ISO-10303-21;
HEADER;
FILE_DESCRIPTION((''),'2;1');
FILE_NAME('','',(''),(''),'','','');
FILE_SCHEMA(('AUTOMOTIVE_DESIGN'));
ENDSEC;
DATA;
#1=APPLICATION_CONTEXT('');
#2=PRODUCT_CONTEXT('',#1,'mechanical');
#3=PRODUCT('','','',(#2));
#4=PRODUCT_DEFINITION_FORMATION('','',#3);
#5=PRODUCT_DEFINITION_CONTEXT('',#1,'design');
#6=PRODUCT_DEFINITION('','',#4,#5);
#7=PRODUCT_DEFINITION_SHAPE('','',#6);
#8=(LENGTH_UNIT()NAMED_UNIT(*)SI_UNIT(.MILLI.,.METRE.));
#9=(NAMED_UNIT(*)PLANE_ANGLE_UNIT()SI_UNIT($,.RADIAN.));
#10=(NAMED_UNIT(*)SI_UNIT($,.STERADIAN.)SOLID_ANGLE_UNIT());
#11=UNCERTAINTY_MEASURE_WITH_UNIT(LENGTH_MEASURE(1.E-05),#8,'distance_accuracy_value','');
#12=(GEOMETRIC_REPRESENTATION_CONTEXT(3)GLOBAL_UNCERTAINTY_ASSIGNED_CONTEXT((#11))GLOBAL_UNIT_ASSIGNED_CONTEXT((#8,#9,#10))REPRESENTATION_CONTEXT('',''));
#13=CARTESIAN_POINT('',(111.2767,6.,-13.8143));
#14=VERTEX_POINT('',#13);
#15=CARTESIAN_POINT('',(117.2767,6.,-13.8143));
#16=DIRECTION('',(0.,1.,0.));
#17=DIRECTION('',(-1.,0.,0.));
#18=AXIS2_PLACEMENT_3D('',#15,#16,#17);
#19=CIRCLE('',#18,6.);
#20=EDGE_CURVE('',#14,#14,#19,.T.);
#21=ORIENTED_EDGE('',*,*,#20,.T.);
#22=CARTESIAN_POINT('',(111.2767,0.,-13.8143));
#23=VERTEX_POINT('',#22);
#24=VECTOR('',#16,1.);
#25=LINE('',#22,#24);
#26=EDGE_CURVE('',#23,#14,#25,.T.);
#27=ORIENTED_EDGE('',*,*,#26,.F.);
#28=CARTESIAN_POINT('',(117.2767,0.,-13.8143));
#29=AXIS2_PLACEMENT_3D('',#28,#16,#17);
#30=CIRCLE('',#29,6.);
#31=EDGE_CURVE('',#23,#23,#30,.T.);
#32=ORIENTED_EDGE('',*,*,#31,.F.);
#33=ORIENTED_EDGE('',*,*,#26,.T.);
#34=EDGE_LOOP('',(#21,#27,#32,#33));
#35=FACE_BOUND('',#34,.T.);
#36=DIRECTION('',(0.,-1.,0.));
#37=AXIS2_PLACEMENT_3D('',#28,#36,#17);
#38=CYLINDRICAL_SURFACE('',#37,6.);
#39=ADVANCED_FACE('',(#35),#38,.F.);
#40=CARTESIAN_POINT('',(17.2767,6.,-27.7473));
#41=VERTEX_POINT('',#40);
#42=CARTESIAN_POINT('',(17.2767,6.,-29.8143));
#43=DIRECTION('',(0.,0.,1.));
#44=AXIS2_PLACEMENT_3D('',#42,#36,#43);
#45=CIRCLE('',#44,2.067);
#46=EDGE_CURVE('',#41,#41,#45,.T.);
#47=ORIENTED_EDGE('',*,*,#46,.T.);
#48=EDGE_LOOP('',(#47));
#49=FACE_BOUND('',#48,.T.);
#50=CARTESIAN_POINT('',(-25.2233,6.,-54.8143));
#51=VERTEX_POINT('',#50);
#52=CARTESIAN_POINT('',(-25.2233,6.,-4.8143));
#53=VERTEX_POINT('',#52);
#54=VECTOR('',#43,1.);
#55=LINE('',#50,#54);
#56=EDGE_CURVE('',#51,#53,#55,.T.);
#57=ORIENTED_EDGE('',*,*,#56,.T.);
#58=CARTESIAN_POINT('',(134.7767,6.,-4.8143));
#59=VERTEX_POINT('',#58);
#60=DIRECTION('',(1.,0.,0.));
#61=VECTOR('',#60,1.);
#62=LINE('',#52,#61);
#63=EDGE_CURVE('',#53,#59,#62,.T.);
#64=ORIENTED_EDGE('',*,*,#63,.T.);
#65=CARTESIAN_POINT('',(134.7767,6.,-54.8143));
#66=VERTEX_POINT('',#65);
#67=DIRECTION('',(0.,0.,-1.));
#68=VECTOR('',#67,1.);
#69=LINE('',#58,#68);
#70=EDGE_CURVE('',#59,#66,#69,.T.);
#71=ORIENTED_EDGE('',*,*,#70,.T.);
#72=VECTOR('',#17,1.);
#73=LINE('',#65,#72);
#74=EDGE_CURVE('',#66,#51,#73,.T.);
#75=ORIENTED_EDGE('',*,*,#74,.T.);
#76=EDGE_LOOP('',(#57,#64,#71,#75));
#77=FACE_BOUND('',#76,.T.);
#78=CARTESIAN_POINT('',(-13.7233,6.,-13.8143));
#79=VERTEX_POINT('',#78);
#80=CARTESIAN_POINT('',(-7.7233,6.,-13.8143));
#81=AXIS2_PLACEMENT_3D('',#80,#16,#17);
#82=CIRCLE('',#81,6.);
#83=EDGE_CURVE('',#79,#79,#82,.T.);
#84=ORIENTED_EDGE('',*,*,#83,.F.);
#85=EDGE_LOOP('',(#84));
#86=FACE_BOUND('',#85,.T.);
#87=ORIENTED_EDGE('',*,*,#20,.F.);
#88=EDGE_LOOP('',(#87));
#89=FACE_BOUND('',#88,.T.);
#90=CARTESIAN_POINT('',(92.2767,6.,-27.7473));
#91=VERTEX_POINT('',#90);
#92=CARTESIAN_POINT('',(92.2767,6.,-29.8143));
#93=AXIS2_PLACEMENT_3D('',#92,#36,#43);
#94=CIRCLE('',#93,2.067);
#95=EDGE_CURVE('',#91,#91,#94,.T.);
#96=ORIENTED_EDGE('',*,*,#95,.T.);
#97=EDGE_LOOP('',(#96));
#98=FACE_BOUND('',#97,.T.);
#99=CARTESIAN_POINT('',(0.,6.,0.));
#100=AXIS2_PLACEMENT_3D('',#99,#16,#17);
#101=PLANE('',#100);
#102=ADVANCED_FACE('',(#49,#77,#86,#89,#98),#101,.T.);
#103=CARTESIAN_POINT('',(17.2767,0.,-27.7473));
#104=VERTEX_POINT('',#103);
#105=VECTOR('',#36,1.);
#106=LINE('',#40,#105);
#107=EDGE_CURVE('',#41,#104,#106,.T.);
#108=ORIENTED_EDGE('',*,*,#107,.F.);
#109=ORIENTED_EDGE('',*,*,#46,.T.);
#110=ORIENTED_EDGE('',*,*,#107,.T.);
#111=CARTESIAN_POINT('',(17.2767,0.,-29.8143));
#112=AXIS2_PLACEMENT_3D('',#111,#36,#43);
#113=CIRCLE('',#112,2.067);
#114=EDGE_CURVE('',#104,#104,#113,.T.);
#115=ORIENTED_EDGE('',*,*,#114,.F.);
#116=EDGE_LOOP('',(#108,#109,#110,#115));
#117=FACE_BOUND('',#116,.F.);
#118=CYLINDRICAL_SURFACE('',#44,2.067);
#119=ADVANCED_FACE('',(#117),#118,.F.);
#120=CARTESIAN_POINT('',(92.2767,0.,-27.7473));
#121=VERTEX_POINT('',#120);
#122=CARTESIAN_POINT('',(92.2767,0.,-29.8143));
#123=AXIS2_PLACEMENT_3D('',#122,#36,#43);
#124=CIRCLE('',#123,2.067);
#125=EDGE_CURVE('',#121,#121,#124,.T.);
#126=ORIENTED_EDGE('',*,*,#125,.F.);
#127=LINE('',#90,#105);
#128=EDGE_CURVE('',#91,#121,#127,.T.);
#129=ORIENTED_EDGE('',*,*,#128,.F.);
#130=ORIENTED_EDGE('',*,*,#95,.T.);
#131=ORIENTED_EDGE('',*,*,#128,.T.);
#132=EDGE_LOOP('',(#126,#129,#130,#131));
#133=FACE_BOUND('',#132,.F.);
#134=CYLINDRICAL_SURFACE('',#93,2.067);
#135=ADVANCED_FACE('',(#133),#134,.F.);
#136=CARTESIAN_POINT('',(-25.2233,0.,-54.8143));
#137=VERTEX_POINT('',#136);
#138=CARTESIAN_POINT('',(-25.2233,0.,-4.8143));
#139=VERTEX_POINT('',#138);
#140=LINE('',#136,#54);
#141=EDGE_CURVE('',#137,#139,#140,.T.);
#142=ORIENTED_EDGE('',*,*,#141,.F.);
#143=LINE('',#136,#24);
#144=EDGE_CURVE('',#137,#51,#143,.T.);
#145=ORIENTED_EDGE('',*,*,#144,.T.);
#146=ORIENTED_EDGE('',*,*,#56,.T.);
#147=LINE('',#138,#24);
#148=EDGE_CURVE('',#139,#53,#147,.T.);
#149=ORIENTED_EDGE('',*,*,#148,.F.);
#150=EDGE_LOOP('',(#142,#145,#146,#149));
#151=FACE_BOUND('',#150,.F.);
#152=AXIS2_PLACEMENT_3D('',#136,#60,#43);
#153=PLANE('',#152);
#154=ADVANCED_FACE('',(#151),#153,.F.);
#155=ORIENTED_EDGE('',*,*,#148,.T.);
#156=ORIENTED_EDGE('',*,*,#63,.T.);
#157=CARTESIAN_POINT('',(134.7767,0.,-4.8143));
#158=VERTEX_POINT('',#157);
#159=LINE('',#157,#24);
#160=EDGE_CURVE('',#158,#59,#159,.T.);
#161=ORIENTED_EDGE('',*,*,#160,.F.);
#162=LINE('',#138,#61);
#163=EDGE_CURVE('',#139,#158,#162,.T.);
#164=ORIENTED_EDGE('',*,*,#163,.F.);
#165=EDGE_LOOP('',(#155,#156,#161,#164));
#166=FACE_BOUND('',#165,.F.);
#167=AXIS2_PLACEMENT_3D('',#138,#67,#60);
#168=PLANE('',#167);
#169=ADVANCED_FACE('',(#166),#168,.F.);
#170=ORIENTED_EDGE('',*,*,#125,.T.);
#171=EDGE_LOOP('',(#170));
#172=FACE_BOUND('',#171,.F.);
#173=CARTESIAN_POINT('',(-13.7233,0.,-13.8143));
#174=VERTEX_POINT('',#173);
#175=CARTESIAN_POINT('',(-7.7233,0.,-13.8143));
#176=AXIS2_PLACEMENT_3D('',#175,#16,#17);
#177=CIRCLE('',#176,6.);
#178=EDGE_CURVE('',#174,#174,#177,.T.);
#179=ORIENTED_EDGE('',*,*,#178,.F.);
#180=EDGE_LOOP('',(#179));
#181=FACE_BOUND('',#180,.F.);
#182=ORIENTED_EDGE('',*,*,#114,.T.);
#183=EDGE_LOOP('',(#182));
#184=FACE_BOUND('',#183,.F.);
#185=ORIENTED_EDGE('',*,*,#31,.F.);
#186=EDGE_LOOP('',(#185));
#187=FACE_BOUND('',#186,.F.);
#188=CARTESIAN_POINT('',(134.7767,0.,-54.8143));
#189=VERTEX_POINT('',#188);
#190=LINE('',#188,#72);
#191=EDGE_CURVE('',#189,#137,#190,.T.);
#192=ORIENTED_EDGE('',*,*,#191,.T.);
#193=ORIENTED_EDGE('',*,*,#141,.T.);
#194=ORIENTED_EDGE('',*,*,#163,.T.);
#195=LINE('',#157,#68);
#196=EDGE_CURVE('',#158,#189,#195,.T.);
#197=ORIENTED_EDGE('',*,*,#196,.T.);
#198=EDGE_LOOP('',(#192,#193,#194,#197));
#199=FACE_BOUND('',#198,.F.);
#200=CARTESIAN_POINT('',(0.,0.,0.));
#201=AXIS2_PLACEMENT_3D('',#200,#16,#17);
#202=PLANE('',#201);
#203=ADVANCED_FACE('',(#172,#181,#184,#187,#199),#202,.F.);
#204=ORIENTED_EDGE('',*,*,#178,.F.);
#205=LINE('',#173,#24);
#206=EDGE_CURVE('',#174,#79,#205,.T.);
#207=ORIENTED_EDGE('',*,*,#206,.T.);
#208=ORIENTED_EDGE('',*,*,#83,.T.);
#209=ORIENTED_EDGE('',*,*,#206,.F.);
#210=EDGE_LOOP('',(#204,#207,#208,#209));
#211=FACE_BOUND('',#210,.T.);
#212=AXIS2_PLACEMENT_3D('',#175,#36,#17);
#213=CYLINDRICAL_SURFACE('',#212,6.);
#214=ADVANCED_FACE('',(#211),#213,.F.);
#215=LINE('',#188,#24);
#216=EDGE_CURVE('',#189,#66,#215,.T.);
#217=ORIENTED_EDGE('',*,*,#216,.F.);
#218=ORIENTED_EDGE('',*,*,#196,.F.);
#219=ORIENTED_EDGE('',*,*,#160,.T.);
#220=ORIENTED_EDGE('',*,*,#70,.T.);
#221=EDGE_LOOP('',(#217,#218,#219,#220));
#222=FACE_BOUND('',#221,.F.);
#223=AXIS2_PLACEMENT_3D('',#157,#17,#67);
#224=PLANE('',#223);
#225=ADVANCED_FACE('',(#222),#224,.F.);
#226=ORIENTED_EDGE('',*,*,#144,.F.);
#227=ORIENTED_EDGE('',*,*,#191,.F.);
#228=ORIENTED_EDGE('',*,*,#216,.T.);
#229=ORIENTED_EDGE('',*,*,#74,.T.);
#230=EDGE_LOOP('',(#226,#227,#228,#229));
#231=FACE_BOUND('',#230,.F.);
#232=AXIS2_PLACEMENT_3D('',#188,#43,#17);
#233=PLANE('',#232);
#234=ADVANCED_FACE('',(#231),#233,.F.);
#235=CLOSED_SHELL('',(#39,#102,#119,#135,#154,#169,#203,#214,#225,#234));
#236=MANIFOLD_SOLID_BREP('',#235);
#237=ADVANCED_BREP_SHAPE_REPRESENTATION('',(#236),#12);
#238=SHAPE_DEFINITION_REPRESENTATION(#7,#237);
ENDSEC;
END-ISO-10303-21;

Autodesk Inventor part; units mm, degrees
ref_plane "YZ Plane" through (0, 0, 0) normal (1, 0, 0) x (0, 1, 0)
ref_plane "XZ Plane" through (0, 0, 0) normal (0, 1, 0) x (-1, 0, 0)
ref_plane "XY Plane" through (0, 0, 0) normal (0, 0, 1) x (1, 0, 0)
sketch "Sketch1" plane through (0, 0, 0) normal (0, 1, 0) x (-1, 0, 0)
  line L0 (25.2233, -4.8143) -> (-134.7767, -4.8143)
  line L1 (-134.7767, -4.8143) -> (-134.7767, -54.8143)
  line L2 (-134.7767, -54.8143) -> (25.2233, -54.8143)
  line L3 (25.2233, -54.8143) -> (25.2233, -4.8143)
  line L4 (25.2233, -13.8143) -> (-134.7767, -13.8143) construction
  circle A0 centre (7.7233, -13.8143) radius 6
  circle A1 centre (-117.2767, -13.8143) radius 6
  point P0 (0, 0)
  dimension "d0" = 160
  dimension "d1" = 50
  dimension "d2" = 9
  dimension "d3" = 12
  dimension "d4" = 12
  dimension "d5" = 125
  dimension "d6" = 17.5
extrude "Extrusion1" add sketch "Sketch1" along normal blind 6
sketch "Sketch2" plane through (0, 6, 0) normal (0, 1, 0) x (1, 0, 0)
  line L0 (-25.2233, 54.8143) -> (-25.2233, 4.8143) construction
  line L1 (-25.2233, 29.8143) -> (134.7767, 29.8143) construction
  line L2 (134.7767, 4.8143) -> (134.7767, 54.8143) construction
  circle A0 centre (17.2767, 29.8143) radius 2.4
  circle A1 centre (92.2767, 29.8143) radius 2.4
  point P0 (0, 0)
  dimension "d9" = 4.8
  dimension "d10" = 4.8
  dimension "d11" = 75
  dimension "d12" = 42.5
hole "Hole1" at (92.2767, 6, -29.8143) at (17.2767, 6, -29.8143) direction (0, -1, 0) diameter 4.134 depth 6 thread size "M5x0.8" class "6H" standard "ISO Metric profile"
properties part number "Joining Brace Front" material "Aluminum 6061"
